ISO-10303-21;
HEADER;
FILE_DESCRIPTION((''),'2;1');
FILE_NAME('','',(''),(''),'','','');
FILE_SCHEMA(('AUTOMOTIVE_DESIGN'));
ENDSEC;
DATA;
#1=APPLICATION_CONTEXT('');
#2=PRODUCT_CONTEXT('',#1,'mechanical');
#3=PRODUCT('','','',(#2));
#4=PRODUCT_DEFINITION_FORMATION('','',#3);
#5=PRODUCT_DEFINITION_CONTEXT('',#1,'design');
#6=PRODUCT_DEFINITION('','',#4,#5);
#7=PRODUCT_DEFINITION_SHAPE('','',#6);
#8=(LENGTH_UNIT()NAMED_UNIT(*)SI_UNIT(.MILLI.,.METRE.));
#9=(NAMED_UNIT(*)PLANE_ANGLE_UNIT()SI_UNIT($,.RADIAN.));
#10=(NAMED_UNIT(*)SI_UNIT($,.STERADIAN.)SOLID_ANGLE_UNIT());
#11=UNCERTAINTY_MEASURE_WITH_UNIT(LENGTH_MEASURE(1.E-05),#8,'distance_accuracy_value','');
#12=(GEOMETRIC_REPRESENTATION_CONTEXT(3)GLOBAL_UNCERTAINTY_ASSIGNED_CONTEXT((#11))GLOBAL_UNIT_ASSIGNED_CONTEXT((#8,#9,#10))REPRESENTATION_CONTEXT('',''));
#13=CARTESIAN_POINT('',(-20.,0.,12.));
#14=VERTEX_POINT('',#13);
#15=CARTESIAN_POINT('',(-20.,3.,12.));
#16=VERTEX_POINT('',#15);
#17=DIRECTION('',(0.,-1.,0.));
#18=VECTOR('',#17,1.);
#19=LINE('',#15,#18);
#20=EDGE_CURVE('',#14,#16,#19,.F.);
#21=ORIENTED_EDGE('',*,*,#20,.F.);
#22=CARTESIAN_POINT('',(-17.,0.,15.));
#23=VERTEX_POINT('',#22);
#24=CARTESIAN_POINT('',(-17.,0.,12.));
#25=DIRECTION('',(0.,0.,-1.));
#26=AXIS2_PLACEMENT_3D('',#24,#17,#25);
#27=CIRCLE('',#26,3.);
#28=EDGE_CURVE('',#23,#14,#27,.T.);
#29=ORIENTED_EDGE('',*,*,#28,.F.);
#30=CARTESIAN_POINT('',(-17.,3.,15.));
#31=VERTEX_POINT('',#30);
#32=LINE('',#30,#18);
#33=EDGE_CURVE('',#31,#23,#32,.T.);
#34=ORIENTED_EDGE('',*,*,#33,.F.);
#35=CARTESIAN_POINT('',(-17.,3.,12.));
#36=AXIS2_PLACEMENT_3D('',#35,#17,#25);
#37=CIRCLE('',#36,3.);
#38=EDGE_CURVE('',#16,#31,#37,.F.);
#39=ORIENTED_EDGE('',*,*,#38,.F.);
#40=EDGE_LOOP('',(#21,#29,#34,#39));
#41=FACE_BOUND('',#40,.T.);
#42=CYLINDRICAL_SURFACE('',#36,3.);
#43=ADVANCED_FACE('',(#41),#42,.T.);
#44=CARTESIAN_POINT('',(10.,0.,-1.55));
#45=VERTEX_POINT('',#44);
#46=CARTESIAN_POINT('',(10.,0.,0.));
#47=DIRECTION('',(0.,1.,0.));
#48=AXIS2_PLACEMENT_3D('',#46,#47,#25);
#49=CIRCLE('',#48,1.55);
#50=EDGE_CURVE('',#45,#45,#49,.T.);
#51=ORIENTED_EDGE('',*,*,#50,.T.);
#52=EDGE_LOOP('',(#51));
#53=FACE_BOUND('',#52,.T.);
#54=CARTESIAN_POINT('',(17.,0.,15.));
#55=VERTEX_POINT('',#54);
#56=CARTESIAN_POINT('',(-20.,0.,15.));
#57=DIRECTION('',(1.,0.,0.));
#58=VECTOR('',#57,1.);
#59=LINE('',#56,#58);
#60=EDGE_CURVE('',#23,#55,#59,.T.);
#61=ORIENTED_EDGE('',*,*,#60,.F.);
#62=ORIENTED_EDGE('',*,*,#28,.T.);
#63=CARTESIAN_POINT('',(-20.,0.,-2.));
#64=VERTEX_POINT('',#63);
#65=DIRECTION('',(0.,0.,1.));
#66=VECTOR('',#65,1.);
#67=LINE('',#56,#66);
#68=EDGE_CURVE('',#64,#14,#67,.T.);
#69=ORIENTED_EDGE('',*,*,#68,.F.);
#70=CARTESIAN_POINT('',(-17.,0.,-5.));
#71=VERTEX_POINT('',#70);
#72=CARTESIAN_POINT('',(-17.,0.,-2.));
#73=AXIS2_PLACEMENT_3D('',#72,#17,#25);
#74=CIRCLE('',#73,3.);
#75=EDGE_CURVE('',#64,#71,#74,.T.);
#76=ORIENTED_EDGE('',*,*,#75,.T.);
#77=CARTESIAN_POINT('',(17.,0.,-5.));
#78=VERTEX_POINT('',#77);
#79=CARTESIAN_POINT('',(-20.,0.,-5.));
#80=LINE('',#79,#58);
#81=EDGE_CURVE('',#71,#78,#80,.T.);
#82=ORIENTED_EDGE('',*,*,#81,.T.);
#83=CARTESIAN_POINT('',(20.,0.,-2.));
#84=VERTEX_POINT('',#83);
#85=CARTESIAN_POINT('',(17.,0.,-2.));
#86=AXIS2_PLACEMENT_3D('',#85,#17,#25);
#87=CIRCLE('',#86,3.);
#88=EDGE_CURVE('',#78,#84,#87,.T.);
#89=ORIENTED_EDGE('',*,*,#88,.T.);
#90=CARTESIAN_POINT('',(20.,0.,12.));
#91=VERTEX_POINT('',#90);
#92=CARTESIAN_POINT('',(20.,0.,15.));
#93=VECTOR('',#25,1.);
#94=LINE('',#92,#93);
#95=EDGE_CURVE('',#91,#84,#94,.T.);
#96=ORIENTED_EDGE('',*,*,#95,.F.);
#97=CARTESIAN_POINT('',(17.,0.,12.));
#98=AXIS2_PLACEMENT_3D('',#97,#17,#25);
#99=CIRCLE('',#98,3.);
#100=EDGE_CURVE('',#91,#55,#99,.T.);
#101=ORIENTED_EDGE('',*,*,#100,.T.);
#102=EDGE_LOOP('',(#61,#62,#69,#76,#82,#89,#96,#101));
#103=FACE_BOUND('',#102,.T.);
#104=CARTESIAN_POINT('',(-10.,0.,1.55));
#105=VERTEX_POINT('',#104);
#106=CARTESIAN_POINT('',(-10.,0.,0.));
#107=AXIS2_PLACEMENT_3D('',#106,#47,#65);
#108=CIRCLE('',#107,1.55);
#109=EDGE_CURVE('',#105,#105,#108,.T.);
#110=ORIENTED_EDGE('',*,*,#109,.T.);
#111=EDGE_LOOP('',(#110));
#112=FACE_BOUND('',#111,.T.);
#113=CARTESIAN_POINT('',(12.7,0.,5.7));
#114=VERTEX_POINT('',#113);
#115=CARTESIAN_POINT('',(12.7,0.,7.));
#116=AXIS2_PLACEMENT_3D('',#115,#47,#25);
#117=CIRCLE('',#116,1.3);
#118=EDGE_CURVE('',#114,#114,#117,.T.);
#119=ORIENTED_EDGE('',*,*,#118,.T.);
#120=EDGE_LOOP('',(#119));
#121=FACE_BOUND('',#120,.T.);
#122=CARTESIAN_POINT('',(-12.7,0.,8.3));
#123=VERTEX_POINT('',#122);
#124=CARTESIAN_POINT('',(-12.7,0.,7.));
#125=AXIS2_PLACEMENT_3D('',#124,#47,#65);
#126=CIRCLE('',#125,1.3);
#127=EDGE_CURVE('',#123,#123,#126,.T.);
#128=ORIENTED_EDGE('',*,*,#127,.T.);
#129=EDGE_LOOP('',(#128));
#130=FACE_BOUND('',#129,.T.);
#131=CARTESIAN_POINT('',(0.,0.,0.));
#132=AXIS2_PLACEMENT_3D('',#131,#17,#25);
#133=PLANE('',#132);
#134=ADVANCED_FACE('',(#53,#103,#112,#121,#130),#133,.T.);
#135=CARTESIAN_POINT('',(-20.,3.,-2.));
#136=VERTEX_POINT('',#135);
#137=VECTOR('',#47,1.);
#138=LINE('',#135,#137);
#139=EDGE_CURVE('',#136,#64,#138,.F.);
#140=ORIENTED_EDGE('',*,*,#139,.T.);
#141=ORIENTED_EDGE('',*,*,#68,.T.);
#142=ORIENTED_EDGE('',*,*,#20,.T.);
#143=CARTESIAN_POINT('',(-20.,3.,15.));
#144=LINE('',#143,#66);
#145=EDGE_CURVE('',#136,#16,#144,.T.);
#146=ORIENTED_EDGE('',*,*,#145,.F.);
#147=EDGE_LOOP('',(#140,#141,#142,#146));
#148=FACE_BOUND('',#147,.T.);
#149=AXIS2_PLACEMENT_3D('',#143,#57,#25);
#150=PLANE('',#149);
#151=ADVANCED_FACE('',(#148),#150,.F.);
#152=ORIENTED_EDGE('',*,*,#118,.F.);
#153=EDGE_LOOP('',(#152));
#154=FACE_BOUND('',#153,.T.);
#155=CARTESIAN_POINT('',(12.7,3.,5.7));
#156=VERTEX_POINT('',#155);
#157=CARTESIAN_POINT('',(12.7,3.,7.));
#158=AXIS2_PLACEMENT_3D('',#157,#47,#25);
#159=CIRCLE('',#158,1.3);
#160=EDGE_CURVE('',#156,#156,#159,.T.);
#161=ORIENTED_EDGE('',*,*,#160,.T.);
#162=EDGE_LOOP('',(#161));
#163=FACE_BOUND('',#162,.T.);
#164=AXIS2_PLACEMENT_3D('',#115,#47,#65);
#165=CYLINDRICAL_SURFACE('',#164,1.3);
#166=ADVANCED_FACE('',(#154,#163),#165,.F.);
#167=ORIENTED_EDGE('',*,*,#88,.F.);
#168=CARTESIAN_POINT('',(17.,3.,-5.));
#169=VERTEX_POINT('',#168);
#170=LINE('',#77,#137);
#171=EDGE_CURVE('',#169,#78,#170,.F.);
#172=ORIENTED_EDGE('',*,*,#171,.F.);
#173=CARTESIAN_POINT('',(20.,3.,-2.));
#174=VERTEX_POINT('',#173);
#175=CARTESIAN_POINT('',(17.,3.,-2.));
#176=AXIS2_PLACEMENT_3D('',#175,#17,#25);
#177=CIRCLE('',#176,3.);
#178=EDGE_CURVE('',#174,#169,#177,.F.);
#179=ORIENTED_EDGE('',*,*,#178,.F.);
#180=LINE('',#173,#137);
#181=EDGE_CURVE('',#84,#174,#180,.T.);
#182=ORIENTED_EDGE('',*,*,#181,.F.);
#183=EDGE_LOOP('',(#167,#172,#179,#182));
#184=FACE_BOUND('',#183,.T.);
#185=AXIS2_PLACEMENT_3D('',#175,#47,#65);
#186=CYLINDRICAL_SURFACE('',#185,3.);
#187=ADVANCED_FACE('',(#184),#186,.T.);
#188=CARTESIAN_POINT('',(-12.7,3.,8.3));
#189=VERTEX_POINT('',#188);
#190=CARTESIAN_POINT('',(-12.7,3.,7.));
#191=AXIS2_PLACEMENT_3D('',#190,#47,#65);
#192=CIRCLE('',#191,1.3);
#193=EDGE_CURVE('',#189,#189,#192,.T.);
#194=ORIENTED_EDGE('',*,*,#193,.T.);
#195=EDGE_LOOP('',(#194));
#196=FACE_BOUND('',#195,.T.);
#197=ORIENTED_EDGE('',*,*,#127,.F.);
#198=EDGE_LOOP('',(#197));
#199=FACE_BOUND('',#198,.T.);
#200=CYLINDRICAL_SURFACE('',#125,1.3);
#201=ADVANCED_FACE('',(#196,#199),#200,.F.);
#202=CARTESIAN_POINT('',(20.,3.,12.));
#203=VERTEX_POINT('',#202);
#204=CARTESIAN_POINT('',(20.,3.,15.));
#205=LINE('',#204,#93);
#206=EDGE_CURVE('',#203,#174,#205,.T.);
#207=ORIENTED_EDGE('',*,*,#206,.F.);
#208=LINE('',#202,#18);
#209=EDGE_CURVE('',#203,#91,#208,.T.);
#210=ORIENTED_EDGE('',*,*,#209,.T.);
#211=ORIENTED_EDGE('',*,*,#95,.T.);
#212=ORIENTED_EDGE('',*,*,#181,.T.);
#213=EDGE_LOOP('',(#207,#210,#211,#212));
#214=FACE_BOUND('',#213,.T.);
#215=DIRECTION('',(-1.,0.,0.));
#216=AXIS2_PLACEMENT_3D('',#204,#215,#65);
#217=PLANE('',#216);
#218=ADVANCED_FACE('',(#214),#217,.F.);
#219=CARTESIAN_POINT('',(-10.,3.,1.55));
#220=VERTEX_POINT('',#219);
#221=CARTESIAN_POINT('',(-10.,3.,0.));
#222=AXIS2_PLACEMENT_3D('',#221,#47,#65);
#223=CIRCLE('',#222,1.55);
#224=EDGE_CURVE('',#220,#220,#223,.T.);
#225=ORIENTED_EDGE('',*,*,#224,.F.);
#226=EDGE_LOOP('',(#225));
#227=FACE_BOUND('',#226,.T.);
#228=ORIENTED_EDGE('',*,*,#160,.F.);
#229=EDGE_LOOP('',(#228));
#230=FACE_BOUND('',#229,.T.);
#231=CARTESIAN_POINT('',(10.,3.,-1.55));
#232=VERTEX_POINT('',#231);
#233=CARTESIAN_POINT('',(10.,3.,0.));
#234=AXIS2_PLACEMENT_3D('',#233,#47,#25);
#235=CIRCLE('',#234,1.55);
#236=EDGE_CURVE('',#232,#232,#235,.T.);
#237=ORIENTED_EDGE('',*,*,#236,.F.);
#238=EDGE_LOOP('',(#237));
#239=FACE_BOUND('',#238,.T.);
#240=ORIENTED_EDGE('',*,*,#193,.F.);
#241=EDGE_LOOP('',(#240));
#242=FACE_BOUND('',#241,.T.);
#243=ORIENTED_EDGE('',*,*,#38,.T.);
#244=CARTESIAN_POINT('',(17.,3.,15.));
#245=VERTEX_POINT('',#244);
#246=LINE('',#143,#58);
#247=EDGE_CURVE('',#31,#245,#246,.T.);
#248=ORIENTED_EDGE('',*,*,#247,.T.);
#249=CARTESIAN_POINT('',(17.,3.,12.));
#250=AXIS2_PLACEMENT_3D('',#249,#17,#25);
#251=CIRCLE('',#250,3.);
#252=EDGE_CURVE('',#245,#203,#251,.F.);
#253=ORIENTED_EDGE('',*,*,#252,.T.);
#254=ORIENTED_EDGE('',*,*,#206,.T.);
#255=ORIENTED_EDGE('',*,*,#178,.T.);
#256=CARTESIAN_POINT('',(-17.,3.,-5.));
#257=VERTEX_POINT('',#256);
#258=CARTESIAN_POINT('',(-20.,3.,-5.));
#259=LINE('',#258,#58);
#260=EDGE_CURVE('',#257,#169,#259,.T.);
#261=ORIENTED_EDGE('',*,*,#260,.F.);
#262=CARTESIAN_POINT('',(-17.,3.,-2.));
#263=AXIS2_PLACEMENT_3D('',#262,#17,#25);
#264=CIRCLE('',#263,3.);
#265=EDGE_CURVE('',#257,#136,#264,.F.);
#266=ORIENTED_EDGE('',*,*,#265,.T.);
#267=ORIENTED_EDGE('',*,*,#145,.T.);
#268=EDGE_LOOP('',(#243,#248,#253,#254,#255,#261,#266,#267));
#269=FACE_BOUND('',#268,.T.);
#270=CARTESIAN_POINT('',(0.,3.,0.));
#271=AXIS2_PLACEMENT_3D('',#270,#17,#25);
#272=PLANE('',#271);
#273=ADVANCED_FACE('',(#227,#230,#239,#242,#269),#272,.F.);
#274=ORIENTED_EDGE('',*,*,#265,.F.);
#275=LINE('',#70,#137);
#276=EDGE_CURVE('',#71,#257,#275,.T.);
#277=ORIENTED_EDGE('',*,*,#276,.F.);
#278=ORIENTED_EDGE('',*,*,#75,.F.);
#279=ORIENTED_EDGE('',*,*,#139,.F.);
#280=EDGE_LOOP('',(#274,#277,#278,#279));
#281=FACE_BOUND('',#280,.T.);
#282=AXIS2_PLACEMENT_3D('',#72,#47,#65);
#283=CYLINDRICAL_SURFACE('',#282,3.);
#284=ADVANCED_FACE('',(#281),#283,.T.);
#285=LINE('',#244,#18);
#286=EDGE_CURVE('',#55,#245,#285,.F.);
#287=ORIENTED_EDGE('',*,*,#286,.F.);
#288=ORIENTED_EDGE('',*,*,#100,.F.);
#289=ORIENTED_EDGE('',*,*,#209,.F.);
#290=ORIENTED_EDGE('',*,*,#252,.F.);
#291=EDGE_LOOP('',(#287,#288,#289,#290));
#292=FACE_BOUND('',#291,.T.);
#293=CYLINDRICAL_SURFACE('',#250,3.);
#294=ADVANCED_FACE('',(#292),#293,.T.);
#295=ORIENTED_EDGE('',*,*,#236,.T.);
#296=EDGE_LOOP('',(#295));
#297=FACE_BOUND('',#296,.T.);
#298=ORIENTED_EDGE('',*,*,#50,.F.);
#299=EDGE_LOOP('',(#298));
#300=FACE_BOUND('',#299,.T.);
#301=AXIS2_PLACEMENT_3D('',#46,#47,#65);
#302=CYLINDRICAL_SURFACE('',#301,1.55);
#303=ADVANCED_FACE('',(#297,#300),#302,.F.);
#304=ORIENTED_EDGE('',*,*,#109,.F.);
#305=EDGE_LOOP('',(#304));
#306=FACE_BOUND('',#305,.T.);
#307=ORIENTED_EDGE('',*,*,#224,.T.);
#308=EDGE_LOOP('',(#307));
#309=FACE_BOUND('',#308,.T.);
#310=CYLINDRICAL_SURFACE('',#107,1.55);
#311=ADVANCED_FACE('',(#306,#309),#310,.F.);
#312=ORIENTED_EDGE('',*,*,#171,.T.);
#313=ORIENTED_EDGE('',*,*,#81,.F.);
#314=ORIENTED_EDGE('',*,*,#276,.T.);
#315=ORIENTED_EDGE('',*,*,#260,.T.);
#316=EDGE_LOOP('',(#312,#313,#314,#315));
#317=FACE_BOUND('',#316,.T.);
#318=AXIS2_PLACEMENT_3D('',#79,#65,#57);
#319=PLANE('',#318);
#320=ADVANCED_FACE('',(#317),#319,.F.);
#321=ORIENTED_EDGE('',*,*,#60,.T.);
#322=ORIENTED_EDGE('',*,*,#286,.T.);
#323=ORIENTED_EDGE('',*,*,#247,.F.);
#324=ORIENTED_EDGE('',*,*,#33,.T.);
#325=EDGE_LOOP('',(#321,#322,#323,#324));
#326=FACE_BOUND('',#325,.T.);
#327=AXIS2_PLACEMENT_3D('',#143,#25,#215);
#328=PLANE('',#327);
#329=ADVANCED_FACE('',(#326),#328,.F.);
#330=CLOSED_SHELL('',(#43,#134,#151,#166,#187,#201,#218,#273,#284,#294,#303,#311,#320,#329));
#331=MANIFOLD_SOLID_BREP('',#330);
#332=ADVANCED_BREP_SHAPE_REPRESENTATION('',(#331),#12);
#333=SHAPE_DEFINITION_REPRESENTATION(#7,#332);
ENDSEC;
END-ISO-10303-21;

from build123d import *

# Parameters (mm, degrees)
SKETCH_1_W          = 40
SKETCH_1_H          = 30
EXTRUDE_1_DEPTH     = 3
SKETCH_2_R          = 1.55
CUT_EXTRUDE_1_DEPTH = 26.179356624
SKETCH_3_W          = 40
SKETCH_3_H          = 10
CUT_EXTRUDE_2_DEPTH = 26.179356624
FILLET_2_R          = 3
SKETCH_4_R          = 1.3
CUT_EXTRUDE_3_DEPTH = 26.179356624


with BuildPart() as part:
    # 草图1 → 凸台-拉伸1 (new body)
    with BuildSketch(Plane(origin=(0, 0, 0), x_dir=(1, 0, 0), z_dir=(0, 1, 0))):
        Rectangle(SKETCH_1_W, SKETCH_1_H)
    extrude(amount=EXTRUDE_1_DEPTH)

    # 草图2 → 切除-拉伸1 (cut, through all)
    with BuildSketch(Plane(origin=(0, 3, 0), x_dir=(1, 0, 0), z_dir=(0, 1, 0))):
        with Locations(Location((-10, 0, 0), (0, 0, 270))):
            Circle(SKETCH_2_R)
        with Locations(Location((10, 0, 0), (0, 0, 90))):
            Circle(SKETCH_2_R)
    extrude(amount=-CUT_EXTRUDE_1_DEPTH, mode=Mode.SUBTRACT)

    # 草图3 → 切除-拉伸2 (cut, through all)
    with BuildSketch(Plane(origin=(0, 3, 0), x_dir=(1, 0, 0), z_dir=(0, 1, 0))):
        with Locations((0, 10)):
            Rectangle(SKETCH_3_W, SKETCH_3_H)
    extrude(amount=-CUT_EXTRUDE_2_DEPTH, mode=Mode.SUBTRACT)

    # 圆角2
    fillet_2_edges = [part.edges().sort_by_distance(p)[0] for p in [
        (-20, 1.5, -5),
        (20, 1.5, -5),
        (20, 1.5, 15),
        (-20, 1.5, 15),
    ]]
    fillet(fillet_2_edges, radius=FILLET_2_R)

    # 草图4 → 切除-拉伸3 (cut, through all)
    with BuildSketch(Plane(origin=(0, 3, 0), x_dir=(1, 0, 0), z_dir=(0, 1, 0))):
        with Locations(Location((-12.7, -7, 0), (0, 0, 270))):
            Circle(SKETCH_4_R)
        with Locations(Location((12.7, -7, 0), (0, 0, 90))):
            Circle(SKETCH_4_R)
    extrude(amount=-CUT_EXTRUDE_3_DEPTH, mode=Mode.SUBTRACT)


solid = part.part
